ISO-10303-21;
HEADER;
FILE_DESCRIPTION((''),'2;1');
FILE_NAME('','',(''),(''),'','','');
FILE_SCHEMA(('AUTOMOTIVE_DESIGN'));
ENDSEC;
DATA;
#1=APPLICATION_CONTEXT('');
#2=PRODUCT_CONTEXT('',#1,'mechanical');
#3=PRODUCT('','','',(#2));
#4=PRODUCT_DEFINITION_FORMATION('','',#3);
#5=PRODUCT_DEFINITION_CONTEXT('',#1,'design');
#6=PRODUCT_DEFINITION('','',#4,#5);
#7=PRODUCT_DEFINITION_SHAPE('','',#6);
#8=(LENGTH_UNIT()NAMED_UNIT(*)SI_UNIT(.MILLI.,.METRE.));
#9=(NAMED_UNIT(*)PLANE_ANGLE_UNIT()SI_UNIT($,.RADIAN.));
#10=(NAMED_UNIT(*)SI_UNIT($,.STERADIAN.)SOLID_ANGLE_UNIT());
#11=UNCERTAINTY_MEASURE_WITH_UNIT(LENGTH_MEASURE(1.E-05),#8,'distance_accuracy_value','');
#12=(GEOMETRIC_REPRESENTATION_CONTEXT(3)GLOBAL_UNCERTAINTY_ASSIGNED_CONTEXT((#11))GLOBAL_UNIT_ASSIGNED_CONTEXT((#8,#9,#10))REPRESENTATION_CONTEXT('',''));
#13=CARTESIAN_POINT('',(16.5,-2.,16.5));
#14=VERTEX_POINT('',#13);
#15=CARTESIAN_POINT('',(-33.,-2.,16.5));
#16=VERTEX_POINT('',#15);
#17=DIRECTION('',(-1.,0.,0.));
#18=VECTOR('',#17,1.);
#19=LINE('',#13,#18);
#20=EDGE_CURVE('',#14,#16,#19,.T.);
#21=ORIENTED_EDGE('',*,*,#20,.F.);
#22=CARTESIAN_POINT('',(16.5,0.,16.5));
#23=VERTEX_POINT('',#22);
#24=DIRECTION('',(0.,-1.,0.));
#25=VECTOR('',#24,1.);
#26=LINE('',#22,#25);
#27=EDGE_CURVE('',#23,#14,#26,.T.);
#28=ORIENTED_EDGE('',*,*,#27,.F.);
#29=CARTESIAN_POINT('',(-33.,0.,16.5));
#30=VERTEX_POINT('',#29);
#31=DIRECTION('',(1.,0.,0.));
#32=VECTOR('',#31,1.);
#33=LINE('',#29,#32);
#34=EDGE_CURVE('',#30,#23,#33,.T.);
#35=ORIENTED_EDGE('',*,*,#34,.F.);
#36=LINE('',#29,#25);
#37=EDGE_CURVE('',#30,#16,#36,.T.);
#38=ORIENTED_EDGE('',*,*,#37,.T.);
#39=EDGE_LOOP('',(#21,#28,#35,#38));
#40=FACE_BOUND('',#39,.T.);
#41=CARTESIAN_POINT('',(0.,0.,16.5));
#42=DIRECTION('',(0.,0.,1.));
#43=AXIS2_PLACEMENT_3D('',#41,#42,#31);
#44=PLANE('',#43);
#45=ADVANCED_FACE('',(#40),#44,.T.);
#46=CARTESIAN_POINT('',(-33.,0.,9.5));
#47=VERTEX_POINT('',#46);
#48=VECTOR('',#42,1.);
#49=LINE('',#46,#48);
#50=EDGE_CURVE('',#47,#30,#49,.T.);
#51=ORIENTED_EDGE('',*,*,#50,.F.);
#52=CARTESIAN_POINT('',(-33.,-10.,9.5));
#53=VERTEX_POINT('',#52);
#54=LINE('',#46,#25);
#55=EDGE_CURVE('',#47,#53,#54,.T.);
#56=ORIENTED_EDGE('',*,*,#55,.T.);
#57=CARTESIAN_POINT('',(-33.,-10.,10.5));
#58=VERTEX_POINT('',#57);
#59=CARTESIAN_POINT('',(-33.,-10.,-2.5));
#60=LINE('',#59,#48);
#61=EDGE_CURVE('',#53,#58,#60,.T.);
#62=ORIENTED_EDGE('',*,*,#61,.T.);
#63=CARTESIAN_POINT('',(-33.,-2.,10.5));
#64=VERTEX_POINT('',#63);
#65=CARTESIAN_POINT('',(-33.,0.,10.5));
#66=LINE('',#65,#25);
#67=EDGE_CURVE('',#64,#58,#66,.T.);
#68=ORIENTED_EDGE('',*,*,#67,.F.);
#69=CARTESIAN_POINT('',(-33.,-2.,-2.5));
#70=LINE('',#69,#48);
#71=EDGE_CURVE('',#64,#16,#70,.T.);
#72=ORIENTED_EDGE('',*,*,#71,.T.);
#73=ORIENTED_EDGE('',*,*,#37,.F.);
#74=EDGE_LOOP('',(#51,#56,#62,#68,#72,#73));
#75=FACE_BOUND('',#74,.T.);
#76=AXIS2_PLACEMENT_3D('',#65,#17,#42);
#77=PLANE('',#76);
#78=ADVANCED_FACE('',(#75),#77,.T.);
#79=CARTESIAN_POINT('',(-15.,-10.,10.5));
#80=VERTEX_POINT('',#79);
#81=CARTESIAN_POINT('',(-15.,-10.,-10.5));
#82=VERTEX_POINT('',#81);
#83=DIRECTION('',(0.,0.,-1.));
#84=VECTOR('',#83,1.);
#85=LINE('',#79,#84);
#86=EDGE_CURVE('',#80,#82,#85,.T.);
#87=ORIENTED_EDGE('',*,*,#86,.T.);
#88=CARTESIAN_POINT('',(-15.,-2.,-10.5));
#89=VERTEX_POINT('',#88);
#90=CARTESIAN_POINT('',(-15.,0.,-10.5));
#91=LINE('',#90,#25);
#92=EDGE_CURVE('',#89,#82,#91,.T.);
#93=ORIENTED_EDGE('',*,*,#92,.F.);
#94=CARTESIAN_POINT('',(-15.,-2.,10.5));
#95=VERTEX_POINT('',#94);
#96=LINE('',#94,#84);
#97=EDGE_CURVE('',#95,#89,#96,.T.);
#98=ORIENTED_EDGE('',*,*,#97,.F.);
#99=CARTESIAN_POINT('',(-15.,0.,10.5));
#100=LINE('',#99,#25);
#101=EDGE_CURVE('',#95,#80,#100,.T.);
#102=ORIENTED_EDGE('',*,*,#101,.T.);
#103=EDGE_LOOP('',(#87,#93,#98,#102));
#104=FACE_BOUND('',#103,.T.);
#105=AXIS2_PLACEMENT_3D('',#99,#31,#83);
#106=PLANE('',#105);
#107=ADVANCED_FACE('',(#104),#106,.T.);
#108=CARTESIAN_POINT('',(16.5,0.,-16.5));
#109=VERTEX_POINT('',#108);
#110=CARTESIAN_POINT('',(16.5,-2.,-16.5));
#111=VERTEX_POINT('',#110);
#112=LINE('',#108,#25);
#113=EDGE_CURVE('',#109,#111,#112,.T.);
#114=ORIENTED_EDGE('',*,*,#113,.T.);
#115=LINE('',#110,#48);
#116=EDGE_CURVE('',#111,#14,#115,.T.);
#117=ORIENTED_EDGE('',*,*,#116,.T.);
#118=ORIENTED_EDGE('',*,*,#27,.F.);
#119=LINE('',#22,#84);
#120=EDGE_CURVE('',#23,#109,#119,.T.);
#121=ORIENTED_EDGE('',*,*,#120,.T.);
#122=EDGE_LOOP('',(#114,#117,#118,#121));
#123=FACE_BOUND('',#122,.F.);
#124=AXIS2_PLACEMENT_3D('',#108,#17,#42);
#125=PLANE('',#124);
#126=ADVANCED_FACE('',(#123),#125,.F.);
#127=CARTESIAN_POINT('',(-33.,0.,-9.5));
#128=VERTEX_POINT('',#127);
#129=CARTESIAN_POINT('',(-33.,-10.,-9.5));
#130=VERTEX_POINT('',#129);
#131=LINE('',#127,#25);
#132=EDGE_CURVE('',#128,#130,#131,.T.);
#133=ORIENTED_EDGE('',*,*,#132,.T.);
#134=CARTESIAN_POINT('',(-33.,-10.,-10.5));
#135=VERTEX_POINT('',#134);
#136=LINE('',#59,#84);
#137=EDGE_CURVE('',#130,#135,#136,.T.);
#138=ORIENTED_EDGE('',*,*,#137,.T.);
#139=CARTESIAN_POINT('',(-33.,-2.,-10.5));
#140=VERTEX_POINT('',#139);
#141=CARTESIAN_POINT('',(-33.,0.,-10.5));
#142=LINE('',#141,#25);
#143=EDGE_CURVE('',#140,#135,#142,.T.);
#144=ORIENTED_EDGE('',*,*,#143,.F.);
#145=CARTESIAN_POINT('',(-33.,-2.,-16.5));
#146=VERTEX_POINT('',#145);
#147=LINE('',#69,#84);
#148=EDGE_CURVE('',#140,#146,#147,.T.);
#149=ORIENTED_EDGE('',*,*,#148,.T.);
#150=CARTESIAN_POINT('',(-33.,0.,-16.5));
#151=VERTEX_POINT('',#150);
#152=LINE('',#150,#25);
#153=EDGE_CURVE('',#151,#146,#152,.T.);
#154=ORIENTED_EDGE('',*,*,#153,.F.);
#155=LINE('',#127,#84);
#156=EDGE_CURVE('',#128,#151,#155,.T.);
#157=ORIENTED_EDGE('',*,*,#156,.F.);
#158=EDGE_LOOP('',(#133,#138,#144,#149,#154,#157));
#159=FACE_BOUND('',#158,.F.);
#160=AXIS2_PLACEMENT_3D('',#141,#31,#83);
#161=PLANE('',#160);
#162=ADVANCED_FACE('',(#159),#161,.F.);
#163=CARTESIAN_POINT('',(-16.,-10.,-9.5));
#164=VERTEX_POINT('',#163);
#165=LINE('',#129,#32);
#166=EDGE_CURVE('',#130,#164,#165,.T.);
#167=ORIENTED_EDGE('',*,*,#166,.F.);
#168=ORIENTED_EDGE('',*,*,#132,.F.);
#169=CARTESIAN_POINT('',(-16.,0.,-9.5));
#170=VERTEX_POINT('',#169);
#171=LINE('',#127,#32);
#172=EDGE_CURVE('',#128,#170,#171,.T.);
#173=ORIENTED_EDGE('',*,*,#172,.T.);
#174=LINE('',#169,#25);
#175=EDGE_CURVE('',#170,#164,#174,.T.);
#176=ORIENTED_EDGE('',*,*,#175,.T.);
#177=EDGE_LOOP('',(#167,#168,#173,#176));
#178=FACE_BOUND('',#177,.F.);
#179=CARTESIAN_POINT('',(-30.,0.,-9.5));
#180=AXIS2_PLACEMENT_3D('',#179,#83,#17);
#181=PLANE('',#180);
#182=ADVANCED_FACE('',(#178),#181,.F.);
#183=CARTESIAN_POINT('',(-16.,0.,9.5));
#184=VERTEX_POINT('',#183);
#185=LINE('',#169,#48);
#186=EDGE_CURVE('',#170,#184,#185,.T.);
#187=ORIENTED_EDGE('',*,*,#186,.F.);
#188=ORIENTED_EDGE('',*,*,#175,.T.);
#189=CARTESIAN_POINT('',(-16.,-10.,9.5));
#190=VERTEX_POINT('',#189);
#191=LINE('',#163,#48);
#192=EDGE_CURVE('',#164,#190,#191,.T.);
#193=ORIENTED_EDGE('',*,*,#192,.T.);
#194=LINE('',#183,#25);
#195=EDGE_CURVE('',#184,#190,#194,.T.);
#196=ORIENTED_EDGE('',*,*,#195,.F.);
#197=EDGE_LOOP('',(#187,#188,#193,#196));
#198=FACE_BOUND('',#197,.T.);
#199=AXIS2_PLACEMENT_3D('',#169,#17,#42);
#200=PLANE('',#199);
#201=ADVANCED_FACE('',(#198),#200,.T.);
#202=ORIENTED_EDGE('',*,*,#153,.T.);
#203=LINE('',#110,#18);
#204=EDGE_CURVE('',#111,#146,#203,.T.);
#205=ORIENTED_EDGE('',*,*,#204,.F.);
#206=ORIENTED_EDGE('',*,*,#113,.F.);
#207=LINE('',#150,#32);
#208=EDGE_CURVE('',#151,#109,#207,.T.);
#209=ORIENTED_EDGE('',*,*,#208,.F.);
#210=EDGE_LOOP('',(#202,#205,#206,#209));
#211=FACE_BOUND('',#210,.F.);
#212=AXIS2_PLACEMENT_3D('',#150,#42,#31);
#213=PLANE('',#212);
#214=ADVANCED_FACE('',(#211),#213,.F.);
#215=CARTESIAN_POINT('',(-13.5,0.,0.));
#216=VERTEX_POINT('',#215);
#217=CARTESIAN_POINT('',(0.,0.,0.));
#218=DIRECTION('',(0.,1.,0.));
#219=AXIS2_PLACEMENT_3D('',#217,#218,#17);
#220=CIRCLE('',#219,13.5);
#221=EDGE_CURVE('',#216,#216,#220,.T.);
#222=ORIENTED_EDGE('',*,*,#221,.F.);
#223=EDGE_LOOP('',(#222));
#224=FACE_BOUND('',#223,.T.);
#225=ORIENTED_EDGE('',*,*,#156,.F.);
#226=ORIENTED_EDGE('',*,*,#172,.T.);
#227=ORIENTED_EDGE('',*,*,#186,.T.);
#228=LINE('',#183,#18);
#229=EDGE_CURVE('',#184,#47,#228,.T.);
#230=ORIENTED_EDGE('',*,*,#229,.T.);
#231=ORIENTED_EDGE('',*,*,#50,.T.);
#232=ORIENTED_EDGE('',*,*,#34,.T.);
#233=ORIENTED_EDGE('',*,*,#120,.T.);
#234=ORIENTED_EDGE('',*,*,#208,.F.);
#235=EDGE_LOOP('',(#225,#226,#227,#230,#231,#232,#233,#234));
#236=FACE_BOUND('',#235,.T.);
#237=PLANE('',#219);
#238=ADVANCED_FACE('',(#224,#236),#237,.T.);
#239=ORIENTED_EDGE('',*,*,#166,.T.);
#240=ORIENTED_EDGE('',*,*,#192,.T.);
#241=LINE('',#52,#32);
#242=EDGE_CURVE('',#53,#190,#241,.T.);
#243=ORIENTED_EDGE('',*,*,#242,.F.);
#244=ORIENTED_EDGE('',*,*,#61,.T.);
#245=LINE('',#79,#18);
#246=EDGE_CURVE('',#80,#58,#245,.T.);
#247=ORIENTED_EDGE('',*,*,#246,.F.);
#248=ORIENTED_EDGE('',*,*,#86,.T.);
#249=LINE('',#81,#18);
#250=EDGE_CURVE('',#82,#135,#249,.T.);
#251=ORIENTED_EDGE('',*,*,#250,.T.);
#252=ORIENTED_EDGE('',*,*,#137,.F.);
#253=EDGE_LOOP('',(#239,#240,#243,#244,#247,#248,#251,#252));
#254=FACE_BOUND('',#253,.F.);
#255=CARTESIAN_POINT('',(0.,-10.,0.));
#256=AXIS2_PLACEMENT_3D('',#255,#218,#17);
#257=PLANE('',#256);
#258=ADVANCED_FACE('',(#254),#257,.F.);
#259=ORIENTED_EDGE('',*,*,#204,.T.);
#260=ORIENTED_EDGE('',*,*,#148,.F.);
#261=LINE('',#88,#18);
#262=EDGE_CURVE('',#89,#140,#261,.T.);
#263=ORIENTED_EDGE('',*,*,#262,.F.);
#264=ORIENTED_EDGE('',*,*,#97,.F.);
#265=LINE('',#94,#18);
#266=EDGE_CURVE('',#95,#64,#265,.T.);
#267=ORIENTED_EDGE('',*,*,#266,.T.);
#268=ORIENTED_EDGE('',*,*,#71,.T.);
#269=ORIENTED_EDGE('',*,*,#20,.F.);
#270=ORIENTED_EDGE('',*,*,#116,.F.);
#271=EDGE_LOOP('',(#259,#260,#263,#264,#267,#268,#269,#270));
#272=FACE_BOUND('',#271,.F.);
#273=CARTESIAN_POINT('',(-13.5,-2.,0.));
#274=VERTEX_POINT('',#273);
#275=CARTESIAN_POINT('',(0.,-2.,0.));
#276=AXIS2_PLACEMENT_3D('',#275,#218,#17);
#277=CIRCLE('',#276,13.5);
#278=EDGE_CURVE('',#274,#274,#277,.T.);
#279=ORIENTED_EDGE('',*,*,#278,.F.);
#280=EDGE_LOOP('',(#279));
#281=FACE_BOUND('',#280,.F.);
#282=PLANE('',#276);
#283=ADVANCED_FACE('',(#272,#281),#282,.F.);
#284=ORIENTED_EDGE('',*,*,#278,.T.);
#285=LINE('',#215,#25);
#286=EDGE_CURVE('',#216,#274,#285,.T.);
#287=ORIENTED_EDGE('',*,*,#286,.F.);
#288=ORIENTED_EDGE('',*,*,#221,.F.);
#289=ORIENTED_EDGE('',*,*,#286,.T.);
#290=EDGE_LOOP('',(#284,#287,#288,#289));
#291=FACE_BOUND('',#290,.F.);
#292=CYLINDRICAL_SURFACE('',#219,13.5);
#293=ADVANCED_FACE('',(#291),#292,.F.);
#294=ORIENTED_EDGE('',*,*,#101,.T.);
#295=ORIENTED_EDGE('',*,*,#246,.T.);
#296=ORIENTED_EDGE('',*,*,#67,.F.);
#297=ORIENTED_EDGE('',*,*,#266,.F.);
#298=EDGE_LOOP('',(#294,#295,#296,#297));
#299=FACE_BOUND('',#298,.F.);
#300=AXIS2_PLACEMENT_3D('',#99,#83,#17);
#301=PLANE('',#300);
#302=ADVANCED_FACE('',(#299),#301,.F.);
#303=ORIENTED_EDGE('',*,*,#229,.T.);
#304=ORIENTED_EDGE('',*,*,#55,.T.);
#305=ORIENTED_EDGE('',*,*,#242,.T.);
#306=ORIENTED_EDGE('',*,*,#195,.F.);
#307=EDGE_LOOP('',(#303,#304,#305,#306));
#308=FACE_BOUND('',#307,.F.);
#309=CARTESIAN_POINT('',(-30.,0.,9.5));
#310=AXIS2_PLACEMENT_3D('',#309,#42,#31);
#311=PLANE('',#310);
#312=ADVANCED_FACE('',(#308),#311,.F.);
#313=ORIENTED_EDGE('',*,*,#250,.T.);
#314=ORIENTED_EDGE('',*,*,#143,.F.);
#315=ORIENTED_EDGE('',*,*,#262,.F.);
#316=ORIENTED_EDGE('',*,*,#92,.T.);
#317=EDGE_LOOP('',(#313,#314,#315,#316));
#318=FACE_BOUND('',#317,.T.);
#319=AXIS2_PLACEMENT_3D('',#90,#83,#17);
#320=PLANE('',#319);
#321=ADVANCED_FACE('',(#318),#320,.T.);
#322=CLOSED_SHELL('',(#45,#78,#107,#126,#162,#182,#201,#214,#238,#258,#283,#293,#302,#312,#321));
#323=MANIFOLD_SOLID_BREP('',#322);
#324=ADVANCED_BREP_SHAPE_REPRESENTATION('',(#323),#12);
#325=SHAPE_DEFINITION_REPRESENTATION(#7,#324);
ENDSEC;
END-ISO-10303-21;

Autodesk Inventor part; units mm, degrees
ref_plane "YZ Plane" through (0, 0, 0) normal (1, 0, 0) x (0, 1, 0)
ref_plane "XZ Plane" through (0, 0, 0) normal (0, 1, 0) x (-1, 0, 0)
ref_plane "XY Plane" through (0, 0, 0) normal (0, 0, 1) x (1, 0, 0)
sketch "Sketch1" plane through (0, 0, 0) normal (0, 1, 0) x (-1, 0, 0)
  circle A0 centre (0, 0) radius 13.5
  line L0 (0, -13.5) -> (30, -13.5) construction
  line L1 (0, 13.5) -> (30, 13.5) construction
  line L2 (30, 13.5) -> (30, -13.5) construction
  line L3 (0, -13.5) -> (16, -13.5) construction
  line L4 (0, 13.5) -> (16, 13.5) construction
  line L5 (16, 13.5) -> (16, -13.5) construction
  line L6 (30, 13.5) -> (30, 9.5) construction
  line L7 (30, -13.5) -> (30, -9.5) construction
  line L8 (30, 9.5) -> (16, 9.5)
  line L9 (30, -9.5) -> (16, -9.5)
  line L10 (16, -9.5) -> (16, 9.5)
  line L11 (0, -13.5) -> (0, -16.5) construction
  line L12 (0, 13.5) -> (0, 16.5) construction
  line L13 (30, -2.5) -> (33, -2.5) construction
  line L14 (-13.5, 0) -> (-16.5, 0) construction
  line L15 (33, -2.5) -> (33, -16.5)
  line L16 (33, -16.5) -> (0, -16.5)
  line L17 (33, -2.5) -> (33, 16.5)
  line L18 (33, 16.5) -> (0, 16.5)
  line L19 (0, 16.5) -> (-16.5, 16.5)
  line L20 (-16.5, 0) -> (-16.5, 16.5)
  line L21 (0, -16.5) -> (-16.5, -16.5)
  line L22 (-16.5, -16.5) -> (-16.5, 0)
  line L23 (30, 9.5) -> (33, 9.5)
  line L24 (30, -9.5) -> (33, -9.5)
  line L25 (0, 13.5) -> (15, 13.5) construction
  line L26 (0, -13.5) -> (15, -13.5) construction
  line L27 (15, 13.5) -> (15, -13.5) construction
  line L28 (33, 9.5) -> (33, 10.5) construction
  line L29 (33, 10.5) -> (15, 10.5) construction
  line L30 (33, -9.5) -> (33, -10.5) construction
  line L31 (33, -10.5) -> (15, -10.5) construction
  line L32 (15, 10.5) -> (15, -10.5)
  line L33 (15, -10.5) -> (33, -10.5)
  line L34 (15, 10.5) -> (33, 10.5)
  dimension "d0" = 27
  dimension "d1" = 30
  dimension "d2" = 30
  dimension "d3" = 16
  dimension "d4" = 16
  dimension "d5" = 4
  dimension "d6" = 4
  dimension "d7" = 3
  dimension "d8" = 3
  dimension "d9" = 3
  dimension "d10" = 3
  dimension "d15" = 19
  dimension "d16" = 15
  dimension "d17" = 15
  dimension "d18" = 1
  dimension "d19" = 1
extrude "Extrusion3" add sketch "Sketch1" against normal blind 2 contours L34 L32 L33 L15 L16 L21 L22 L20 L19 L18 L17
extrude "Extrusion4" add sketch "Sketch1" against normal blind 10 contours L8 L10 L9 L24 L15 L33 L32 L34 L17 L23
properties part number "joystick_test_v2"
